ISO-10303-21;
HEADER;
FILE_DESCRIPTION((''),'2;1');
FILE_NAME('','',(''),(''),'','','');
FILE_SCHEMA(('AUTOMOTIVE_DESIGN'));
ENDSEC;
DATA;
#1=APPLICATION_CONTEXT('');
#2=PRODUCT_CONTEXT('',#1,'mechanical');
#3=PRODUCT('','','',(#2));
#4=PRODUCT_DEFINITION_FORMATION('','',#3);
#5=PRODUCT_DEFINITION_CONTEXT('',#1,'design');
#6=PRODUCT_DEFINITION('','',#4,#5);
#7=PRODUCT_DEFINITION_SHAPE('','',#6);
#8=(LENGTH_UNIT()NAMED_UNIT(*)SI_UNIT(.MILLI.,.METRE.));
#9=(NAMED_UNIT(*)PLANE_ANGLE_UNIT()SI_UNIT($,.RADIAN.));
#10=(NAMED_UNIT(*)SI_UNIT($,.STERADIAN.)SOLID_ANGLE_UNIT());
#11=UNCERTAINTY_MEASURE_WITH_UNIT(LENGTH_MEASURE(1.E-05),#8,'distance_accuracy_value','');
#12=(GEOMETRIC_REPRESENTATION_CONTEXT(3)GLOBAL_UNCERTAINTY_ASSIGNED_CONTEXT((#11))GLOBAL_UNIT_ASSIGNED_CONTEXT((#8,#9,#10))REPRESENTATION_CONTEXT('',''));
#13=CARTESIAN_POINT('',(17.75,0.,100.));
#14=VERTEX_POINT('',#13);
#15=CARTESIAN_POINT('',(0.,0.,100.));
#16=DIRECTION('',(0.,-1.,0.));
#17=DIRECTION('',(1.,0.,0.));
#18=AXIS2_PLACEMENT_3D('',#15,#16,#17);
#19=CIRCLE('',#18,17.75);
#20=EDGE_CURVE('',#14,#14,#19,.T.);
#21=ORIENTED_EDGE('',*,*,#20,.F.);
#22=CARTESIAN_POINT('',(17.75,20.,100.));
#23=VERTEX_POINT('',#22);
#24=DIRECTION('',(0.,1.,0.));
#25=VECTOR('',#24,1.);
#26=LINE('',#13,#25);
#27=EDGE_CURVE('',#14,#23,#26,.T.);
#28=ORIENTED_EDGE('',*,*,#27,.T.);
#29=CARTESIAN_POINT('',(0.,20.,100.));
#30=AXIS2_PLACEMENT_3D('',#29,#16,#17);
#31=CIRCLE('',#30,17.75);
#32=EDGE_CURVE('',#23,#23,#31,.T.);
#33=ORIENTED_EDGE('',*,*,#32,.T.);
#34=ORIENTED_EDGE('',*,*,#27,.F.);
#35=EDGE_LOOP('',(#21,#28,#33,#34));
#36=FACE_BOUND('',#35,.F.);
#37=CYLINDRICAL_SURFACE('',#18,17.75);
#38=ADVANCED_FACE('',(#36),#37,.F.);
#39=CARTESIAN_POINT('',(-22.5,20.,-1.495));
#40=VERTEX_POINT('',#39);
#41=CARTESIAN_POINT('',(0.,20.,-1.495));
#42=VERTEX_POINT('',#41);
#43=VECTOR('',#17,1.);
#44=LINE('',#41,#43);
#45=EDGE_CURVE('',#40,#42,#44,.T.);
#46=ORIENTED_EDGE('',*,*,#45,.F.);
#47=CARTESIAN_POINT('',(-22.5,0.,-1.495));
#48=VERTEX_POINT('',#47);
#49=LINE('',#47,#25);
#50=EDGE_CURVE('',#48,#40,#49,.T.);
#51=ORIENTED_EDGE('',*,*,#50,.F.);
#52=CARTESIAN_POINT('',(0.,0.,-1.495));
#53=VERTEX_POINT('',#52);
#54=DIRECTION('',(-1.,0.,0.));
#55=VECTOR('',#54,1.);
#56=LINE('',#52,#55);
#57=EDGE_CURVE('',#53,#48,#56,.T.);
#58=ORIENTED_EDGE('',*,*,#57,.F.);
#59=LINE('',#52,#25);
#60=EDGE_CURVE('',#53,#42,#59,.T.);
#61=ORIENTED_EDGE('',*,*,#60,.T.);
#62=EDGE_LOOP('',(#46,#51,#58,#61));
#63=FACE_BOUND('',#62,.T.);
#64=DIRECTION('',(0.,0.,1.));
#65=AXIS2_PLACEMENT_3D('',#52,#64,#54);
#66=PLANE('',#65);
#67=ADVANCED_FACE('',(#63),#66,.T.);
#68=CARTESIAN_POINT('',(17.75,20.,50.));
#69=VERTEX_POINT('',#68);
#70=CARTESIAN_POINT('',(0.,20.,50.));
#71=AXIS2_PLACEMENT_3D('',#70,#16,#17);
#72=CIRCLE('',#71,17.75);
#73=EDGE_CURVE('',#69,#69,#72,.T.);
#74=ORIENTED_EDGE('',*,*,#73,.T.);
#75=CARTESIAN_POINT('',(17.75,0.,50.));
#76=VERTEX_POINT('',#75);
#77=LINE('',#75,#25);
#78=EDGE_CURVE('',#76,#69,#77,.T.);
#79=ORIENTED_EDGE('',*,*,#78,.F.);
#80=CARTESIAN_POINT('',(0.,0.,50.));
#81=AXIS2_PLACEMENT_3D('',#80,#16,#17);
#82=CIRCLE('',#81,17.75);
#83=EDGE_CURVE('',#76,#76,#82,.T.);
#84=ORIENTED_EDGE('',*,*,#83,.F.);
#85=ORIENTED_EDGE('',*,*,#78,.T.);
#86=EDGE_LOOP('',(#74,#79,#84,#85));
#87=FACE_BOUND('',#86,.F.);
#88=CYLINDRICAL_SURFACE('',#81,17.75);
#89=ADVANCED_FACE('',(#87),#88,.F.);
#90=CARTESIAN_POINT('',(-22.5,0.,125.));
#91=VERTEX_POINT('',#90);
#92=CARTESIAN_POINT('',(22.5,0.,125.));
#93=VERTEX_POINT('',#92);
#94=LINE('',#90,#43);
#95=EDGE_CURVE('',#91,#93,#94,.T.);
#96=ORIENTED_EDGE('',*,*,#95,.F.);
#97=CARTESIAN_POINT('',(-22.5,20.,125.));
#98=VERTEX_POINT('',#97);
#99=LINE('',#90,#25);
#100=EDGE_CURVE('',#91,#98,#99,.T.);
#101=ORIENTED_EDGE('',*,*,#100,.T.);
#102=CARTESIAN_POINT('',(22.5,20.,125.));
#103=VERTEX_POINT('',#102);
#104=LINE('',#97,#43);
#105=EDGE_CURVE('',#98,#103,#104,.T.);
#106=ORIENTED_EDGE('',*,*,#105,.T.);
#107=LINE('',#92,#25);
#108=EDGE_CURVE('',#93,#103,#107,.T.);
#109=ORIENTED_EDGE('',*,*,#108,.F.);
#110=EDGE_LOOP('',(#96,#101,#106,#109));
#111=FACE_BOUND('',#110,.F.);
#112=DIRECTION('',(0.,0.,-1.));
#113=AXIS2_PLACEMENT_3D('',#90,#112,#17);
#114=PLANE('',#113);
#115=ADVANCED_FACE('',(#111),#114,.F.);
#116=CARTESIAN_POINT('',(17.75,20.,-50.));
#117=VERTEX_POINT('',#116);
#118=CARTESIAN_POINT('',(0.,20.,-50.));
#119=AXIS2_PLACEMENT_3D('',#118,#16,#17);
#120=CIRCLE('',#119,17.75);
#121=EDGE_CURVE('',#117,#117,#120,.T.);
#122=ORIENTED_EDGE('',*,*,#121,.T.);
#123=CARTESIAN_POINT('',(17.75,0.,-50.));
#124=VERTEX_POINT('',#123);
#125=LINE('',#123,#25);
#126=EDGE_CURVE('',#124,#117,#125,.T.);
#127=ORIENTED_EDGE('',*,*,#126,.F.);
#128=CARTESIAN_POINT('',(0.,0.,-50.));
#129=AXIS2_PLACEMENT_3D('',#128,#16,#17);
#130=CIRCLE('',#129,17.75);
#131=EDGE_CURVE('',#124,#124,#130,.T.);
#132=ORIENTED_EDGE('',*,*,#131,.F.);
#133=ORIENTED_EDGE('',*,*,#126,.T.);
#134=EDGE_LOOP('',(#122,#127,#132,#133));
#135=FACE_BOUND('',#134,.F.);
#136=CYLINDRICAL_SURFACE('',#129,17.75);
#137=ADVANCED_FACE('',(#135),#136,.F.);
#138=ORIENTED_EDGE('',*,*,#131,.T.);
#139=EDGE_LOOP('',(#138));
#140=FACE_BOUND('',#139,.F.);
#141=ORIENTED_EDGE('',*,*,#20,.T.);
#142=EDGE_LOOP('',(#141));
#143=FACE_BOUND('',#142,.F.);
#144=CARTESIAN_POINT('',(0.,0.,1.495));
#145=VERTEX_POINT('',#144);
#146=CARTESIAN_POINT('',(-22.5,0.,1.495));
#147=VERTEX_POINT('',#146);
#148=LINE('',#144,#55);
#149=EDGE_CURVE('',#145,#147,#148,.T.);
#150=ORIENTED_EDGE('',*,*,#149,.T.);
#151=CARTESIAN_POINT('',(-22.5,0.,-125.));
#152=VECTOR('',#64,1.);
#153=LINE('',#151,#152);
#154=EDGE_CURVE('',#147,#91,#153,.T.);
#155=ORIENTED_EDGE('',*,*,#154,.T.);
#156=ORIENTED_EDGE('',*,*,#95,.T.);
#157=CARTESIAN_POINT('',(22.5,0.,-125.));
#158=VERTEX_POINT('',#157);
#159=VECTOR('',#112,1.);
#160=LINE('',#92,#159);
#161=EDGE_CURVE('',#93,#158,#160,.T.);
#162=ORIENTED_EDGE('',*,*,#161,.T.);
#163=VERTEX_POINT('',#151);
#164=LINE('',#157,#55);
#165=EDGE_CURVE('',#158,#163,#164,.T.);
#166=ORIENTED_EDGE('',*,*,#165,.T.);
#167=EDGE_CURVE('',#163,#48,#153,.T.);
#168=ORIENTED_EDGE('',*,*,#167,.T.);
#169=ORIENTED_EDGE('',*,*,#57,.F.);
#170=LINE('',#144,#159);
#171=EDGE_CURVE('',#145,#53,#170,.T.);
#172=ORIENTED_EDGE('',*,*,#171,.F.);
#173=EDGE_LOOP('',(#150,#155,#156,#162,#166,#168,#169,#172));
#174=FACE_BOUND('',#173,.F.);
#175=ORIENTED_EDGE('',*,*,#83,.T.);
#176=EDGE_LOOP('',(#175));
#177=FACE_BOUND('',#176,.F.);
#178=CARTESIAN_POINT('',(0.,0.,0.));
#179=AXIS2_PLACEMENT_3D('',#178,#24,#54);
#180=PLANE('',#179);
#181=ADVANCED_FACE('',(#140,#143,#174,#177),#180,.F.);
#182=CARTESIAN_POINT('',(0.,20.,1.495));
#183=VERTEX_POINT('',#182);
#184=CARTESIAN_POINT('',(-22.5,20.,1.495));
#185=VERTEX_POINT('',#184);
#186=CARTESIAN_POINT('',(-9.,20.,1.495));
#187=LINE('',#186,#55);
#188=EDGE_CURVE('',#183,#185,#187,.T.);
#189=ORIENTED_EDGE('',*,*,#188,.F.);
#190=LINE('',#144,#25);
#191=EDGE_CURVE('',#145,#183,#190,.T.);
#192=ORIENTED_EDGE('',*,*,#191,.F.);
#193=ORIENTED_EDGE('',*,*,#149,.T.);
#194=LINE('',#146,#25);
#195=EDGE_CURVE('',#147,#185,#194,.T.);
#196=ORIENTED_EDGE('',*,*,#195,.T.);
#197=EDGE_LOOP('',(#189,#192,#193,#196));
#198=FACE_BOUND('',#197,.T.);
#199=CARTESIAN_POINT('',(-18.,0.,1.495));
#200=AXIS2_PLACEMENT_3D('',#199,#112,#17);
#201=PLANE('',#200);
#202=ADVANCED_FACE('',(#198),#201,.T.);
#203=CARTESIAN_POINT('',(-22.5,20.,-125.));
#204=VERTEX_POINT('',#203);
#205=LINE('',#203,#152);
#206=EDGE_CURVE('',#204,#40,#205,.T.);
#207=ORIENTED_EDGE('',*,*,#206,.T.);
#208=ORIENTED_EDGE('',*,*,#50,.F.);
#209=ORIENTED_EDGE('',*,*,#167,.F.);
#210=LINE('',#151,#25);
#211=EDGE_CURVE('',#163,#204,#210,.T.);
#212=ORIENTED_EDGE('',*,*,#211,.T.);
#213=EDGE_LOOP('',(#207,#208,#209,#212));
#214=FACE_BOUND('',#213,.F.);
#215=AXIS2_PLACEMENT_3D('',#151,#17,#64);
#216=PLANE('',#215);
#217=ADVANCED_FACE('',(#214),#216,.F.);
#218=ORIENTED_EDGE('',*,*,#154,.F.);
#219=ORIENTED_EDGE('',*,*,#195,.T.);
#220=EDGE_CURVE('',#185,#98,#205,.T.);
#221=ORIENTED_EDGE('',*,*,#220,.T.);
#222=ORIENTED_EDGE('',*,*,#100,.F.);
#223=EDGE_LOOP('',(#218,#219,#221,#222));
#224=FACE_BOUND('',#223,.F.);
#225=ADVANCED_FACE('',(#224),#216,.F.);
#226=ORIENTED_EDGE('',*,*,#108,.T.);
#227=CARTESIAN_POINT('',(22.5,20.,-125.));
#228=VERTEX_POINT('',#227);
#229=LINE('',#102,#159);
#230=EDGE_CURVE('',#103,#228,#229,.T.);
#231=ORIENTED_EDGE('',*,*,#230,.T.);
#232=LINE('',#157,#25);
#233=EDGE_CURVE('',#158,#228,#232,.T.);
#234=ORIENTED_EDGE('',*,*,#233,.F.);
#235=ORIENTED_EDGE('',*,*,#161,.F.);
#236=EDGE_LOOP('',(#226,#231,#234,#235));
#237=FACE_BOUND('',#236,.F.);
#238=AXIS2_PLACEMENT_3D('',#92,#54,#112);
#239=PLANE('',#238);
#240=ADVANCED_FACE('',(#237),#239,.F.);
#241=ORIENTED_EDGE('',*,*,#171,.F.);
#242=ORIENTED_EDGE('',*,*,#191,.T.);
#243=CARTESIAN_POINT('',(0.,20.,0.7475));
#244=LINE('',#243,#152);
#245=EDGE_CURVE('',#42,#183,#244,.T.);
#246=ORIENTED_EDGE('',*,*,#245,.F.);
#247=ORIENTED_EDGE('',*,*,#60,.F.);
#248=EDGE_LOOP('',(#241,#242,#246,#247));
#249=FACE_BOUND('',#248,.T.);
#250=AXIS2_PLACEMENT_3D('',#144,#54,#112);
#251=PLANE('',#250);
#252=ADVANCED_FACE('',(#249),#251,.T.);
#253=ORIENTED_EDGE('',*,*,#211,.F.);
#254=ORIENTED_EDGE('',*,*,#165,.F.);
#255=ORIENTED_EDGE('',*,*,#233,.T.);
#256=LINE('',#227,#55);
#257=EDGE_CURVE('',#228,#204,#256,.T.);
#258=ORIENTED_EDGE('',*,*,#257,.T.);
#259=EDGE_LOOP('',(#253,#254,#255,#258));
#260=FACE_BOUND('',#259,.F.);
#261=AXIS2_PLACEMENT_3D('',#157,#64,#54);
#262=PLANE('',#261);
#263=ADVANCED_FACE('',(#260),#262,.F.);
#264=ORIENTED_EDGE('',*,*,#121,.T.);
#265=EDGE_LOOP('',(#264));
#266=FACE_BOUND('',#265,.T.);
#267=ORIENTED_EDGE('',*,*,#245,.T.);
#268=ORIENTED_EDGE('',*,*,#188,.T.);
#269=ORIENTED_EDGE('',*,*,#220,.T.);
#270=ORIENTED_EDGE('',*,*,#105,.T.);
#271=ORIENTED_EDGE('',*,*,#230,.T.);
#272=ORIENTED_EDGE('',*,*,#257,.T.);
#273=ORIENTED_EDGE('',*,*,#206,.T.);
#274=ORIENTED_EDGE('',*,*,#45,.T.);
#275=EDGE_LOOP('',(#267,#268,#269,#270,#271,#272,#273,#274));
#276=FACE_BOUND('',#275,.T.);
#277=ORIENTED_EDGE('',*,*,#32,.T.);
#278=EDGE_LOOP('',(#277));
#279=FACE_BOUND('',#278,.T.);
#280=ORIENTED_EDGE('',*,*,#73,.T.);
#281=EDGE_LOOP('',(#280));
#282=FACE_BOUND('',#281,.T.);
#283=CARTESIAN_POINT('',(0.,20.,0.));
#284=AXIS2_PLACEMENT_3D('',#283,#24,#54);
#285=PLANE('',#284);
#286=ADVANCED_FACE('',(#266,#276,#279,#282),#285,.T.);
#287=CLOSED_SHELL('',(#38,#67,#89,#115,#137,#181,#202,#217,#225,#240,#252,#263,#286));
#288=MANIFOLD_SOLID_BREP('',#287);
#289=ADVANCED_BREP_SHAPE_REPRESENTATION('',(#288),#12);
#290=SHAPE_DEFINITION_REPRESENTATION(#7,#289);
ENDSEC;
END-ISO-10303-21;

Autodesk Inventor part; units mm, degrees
ref_plane "YZ Plane" through (0, 0, 0) normal (1, 0, 0) x (0, 1, 0)
ref_plane "XZ Plane" through (0, 0, 0) normal (0, 1, 0) x (-1, 0, 0)
ref_plane "XY Plane" through (0, 0, 0) normal (0, 0, 1) x (1, 0, 0)
sketch "Sketch1" plane through (0, 0, 0) normal (0, 1, 0) x (-1, 0, 0)
  line L0 (22.5, 125) -> (-22.5, 125)
  line L1 (-22.5, 125) -> (-22.5, -125)
  line L2 (-22.5, -125) -> (22.5, -125)
  line L3 (22.5, -125) -> (22.5, 125)
  line L4 (22.5, 125) -> (-22.5, -125) construction
  line L5 (-22.5, 125) -> (22.5, -125) construction
  point P0 (0, 0)
  dimension "d0" = 250
  dimension "d1" = 45
extrude "Extrusion1" add sketch "Sketch1" along normal blind 20
sketch "Sketch2" plane through (0, 0, 0) normal (0, -1, 0) x (1, 0, 0)
  circle A0 centre (0, 100) radius 17.75
  circle A1 centre (0, 50) radius 17.75
  circle A2 centre (0, -50) radius 17.75
  line L0 (0, 50) -> (0, -50) construction
  line L1 (0, 100) -> (0, 50) construction
  line L2 (0, 0) -> (0, 148) construction
  line L3 (-35.7491, 0) -> (26.8031, 0) construction
  line L4 (0, -1.495) -> (-22.5, -1.495)
  line L5 (-22.5, -1.495) -> (-22.5, 1.495)
  line L6 (-22.5, 1.495) -> (0, 1.495)
  line L7 (0, 1.495) -> (0, -1.495)
  line L8 (0, -1.495) -> (-22.5, 1.495) construction
  line L9 (-22.5, -1.495) -> (0, 1.495) construction
  line L10 (-18, 98) -> (-18, -100) projected
  line L11 (-22.5, 125) -> (22.5, 125) projected
  line L12 (-22.5, -125) -> (-22.5, 125) projected
  point P0 (0, 75)
  point P1 (-11.5, 0)
  point P2 (-11.25, 0)
  point P3 (-25, -148)
  point P4 (-16, 100)
  dimension "d9" = 35.5
  dimension "d10" = 35.5
  dimension "d11" = 35.5
  dimension "d12" = 50
  dimension "d13" = 100
  dimension "d16" = 2.99
  dimension "d36" = 25
extrude "Extrusion5" cut sketch "Sketch2" against normal through all
equation "\"d9\" = d11"
equation "\"d10\" = d11"
equation "\"d13\" = 2 * d12"
properties part number "stand3" material "Wood (Walnut)"
